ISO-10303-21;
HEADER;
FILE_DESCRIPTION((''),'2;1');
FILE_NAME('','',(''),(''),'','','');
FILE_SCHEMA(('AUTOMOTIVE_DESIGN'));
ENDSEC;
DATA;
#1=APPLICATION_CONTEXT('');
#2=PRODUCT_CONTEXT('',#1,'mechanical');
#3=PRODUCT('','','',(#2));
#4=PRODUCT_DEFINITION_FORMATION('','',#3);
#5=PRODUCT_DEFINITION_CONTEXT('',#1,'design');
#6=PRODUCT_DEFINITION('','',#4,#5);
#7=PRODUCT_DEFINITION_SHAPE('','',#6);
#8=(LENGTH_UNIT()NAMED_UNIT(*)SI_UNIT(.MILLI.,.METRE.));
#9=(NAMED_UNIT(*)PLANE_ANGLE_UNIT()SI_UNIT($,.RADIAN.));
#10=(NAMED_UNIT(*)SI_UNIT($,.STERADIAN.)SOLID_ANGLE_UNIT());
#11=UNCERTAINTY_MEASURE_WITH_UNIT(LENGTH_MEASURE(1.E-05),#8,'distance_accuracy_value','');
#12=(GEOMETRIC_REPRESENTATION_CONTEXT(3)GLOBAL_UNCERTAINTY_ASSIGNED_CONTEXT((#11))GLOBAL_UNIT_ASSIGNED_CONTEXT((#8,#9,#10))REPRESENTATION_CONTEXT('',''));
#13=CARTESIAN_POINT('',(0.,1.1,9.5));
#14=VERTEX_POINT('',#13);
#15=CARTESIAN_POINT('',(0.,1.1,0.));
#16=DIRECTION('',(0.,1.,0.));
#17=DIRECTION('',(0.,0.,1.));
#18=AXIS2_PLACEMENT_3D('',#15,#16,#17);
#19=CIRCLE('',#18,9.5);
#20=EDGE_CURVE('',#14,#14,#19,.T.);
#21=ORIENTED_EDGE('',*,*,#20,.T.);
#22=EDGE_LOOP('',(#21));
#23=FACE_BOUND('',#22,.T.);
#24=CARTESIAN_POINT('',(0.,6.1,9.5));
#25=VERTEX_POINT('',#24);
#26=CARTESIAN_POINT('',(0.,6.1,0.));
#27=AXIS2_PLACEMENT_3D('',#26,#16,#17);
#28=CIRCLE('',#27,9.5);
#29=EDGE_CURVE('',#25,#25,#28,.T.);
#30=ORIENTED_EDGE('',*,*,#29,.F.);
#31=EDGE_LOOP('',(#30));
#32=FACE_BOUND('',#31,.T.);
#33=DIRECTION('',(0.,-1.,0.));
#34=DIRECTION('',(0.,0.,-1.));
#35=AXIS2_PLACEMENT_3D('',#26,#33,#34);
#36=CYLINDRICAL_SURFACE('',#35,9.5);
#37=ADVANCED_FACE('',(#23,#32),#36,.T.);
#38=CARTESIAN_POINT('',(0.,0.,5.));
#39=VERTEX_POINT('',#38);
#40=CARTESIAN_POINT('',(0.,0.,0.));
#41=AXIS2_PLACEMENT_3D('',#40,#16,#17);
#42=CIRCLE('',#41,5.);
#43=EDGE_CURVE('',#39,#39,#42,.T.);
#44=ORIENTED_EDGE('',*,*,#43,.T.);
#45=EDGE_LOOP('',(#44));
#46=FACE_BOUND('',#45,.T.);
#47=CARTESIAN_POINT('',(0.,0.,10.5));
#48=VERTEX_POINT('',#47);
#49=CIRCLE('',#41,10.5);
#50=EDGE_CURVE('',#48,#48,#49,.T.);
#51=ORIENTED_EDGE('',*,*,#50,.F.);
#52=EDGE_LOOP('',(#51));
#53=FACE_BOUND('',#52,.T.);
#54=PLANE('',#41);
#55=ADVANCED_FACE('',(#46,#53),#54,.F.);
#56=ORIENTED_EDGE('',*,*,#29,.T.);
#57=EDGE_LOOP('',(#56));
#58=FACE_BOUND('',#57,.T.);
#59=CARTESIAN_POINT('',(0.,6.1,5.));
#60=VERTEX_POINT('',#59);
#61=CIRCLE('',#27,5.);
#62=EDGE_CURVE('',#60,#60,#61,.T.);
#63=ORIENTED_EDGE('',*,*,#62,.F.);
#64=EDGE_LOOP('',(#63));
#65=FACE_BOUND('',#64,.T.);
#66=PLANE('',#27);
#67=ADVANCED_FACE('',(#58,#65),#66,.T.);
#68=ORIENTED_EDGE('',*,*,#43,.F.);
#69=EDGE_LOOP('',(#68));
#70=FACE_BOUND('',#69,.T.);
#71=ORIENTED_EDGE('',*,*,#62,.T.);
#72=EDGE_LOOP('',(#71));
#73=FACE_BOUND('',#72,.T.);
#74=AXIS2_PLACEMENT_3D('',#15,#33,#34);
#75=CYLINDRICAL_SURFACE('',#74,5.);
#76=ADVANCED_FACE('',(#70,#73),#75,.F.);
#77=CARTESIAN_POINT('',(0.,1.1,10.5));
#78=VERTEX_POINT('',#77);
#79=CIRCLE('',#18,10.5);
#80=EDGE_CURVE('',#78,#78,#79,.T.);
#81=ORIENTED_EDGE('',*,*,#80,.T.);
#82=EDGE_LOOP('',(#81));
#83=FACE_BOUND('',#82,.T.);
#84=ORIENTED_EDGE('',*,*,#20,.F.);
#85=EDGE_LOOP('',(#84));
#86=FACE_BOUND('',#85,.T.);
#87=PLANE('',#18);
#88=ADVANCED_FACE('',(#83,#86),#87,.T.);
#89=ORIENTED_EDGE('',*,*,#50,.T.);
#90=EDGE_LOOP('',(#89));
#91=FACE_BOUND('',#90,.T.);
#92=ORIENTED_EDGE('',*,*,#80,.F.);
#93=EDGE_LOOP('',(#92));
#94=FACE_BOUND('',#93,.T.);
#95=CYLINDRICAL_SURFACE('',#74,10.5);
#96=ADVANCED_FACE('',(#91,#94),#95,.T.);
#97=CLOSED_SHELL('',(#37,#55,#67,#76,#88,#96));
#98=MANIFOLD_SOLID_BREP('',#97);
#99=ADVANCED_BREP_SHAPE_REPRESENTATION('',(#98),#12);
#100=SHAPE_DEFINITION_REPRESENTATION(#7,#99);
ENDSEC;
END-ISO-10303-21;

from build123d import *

# Parameters (mm, degrees)
SKETCH_1_R      = 10.5
SKETCH_1_R_2    = 5
EXTRUDE_1_DEPTH = 1.1
SKETCH_2_R      = 9.5
SKETCH_2_R_2    = 5
EXTRUDE_2_DEPTH = 5


with BuildPart() as part:
    # 草图1 → 凸台-拉伸1 (new body)
    with BuildSketch(Plane(origin=(0, 0, 0), x_dir=(1, 0, 0), z_dir=(0, 1, 0))):
        with Locations(Location((0, 0, 0), (0, 0, 270))):
            Circle(SKETCH_1_R)
        with Locations(Location((0, 0, 0), (0, 0, 270))):
            Circle(SKETCH_1_R_2, mode=Mode.SUBTRACT)
    extrude(amount=EXTRUDE_1_DEPTH)

    # 草图2 → 凸台-拉伸2 (add)
    with BuildSketch(Plane(origin=(0, 1.1, 0), x_dir=(1, 0, 0), z_dir=(0, 1, 0))):
        with Locations(Location((0, 0, 0), (0, 0, 270))):
            Circle(SKETCH_2_R)
        with Locations(Location((0, 0, 0), (0, 0, 270))):
            Circle(SKETCH_2_R_2, mode=Mode.SUBTRACT)
    extrude(amount=EXTRUDE_2_DEPTH)


solid = part.part
